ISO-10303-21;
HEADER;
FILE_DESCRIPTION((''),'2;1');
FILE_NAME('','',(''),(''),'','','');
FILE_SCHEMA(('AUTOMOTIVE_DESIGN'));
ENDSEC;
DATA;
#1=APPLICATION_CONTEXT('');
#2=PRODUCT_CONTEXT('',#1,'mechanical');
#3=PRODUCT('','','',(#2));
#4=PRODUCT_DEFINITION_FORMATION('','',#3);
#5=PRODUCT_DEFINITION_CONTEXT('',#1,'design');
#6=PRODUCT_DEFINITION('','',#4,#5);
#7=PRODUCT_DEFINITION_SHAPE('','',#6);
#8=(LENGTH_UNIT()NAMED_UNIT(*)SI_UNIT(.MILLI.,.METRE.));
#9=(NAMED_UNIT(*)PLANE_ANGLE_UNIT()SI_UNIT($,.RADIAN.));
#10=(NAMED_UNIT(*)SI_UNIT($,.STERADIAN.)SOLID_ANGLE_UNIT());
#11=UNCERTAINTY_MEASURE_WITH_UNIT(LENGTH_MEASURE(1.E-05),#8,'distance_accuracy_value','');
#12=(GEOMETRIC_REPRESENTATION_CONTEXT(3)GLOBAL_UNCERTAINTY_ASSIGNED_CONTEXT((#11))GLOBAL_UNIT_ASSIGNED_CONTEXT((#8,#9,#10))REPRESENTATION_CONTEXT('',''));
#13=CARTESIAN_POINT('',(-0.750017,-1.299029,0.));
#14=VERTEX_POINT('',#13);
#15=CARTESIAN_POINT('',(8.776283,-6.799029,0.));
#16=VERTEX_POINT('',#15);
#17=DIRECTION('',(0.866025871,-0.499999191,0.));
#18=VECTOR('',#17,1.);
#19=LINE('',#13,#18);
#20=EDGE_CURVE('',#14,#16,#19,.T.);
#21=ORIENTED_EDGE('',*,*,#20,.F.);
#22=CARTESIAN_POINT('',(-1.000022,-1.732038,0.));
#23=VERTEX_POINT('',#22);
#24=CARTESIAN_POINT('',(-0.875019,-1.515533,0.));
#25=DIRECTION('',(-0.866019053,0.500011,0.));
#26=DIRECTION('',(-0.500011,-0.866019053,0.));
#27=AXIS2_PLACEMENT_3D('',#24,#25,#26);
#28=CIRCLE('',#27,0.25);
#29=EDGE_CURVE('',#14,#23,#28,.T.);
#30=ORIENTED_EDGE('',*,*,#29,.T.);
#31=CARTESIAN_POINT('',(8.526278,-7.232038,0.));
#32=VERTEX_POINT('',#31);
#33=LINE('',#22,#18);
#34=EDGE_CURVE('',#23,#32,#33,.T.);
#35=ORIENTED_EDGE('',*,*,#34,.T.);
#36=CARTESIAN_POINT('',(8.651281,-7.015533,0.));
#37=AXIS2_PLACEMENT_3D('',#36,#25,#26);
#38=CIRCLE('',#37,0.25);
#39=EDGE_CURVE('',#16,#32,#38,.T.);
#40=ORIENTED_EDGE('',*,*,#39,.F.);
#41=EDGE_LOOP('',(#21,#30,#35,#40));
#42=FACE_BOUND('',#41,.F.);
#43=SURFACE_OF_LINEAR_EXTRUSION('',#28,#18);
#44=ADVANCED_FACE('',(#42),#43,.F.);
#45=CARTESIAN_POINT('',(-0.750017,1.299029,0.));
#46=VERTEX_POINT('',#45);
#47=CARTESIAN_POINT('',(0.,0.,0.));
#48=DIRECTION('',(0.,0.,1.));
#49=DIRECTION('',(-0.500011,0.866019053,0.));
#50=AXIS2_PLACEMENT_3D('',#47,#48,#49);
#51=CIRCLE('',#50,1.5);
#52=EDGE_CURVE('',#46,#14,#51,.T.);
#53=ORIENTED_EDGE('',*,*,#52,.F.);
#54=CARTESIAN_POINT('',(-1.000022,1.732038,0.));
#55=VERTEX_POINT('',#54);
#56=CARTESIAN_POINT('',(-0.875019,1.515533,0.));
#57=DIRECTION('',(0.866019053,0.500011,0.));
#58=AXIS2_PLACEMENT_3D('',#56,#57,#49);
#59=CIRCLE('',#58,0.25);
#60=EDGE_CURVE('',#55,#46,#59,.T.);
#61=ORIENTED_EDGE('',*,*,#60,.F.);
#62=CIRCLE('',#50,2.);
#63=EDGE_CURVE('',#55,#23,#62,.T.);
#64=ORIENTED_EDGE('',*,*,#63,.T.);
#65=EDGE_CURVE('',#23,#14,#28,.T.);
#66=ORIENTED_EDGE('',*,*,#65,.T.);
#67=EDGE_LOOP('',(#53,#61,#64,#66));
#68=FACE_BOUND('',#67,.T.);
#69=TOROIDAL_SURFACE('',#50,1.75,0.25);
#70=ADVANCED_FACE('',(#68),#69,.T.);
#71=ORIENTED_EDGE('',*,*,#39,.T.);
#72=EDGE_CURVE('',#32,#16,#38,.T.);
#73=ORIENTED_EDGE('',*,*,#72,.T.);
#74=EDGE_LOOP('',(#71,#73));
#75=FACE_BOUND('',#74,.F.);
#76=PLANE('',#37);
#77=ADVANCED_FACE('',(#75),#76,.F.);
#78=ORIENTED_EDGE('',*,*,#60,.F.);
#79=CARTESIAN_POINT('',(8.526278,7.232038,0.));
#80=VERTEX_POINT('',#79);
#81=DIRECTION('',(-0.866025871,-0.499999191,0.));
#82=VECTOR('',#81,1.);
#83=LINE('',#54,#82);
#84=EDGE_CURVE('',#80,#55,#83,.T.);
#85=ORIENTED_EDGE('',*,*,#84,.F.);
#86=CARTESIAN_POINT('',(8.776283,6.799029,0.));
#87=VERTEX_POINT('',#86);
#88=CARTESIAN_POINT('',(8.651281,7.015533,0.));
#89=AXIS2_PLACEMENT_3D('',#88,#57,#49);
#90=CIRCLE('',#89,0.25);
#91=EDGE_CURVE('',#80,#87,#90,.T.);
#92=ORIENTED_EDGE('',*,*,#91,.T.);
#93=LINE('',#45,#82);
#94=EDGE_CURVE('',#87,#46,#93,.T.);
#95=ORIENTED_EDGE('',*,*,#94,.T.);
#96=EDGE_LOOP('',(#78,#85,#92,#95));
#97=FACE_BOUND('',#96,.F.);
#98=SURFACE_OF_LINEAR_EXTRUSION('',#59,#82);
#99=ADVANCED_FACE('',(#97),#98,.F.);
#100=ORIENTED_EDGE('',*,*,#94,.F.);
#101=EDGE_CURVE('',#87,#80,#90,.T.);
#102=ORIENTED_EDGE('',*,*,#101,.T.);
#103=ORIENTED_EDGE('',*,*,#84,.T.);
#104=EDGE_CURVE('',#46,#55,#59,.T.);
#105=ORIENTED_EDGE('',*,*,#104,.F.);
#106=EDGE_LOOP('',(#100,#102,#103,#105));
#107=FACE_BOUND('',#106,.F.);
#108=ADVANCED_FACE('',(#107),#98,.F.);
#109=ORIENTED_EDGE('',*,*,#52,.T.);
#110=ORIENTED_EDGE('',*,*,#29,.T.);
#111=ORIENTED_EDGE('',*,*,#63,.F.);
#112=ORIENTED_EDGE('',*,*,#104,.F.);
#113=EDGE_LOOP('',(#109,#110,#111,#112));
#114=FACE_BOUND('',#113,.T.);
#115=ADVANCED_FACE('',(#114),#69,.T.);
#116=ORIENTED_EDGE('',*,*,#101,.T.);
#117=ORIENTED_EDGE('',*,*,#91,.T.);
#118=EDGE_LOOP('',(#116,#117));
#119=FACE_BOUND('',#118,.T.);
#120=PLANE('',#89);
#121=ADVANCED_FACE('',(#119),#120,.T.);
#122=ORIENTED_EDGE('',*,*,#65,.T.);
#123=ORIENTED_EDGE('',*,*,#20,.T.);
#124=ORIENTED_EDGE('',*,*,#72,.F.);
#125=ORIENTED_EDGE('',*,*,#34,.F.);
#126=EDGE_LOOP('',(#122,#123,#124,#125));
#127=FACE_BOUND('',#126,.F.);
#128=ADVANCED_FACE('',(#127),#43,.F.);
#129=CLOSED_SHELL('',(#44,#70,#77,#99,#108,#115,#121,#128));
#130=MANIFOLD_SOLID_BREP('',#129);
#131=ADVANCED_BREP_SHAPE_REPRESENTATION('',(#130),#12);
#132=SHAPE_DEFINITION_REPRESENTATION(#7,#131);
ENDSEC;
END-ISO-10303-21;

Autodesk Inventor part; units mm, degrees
ref_plane "YZ Plane" through (0, 0, 0) normal (1, 0, 0) x (0, 1, 0)
ref_plane "XZ Plane" through (0, 0, 0) normal (0, 1, 0) x (-1, 0, 0)
ref_plane "XY Plane" through (0, 0, 0) normal (0, 0, 1) x (1, 0, 0)
sketch "Sketch1" plane through (0, 0, 0) normal (0, 0, 1) x (1, 0, 0)
  arc A0 (-0.875, 1.5155) -> (-0.875, -1.5155) centre (0, 0) ccw
  line L0 (-0.875, 1.5155) -> (8.6513, 7.0155)
  line L1 (-0.875, -1.5155) -> (8.6513, -7.0155)
  dimension "d0" = 3.5
  dimension "d1" = 11
  dimension "d2" = 60
sketch "Sketch2" plane through (0, 0, 0) normal (0, 1, 0) x (-1, 0, 0)
  circle A0 centre (1.75, 0) radius 0.25
  line L0 (1.75, 0) -> (0.875, 0) projected
  point P0 (0, 0)
  point P1 (0.875, 0)
  dimension "d3" = 0.5
sweep "Sweep1" add profiles "Sketch2" path "Sketch1"
properties part number "ingnition-help"
